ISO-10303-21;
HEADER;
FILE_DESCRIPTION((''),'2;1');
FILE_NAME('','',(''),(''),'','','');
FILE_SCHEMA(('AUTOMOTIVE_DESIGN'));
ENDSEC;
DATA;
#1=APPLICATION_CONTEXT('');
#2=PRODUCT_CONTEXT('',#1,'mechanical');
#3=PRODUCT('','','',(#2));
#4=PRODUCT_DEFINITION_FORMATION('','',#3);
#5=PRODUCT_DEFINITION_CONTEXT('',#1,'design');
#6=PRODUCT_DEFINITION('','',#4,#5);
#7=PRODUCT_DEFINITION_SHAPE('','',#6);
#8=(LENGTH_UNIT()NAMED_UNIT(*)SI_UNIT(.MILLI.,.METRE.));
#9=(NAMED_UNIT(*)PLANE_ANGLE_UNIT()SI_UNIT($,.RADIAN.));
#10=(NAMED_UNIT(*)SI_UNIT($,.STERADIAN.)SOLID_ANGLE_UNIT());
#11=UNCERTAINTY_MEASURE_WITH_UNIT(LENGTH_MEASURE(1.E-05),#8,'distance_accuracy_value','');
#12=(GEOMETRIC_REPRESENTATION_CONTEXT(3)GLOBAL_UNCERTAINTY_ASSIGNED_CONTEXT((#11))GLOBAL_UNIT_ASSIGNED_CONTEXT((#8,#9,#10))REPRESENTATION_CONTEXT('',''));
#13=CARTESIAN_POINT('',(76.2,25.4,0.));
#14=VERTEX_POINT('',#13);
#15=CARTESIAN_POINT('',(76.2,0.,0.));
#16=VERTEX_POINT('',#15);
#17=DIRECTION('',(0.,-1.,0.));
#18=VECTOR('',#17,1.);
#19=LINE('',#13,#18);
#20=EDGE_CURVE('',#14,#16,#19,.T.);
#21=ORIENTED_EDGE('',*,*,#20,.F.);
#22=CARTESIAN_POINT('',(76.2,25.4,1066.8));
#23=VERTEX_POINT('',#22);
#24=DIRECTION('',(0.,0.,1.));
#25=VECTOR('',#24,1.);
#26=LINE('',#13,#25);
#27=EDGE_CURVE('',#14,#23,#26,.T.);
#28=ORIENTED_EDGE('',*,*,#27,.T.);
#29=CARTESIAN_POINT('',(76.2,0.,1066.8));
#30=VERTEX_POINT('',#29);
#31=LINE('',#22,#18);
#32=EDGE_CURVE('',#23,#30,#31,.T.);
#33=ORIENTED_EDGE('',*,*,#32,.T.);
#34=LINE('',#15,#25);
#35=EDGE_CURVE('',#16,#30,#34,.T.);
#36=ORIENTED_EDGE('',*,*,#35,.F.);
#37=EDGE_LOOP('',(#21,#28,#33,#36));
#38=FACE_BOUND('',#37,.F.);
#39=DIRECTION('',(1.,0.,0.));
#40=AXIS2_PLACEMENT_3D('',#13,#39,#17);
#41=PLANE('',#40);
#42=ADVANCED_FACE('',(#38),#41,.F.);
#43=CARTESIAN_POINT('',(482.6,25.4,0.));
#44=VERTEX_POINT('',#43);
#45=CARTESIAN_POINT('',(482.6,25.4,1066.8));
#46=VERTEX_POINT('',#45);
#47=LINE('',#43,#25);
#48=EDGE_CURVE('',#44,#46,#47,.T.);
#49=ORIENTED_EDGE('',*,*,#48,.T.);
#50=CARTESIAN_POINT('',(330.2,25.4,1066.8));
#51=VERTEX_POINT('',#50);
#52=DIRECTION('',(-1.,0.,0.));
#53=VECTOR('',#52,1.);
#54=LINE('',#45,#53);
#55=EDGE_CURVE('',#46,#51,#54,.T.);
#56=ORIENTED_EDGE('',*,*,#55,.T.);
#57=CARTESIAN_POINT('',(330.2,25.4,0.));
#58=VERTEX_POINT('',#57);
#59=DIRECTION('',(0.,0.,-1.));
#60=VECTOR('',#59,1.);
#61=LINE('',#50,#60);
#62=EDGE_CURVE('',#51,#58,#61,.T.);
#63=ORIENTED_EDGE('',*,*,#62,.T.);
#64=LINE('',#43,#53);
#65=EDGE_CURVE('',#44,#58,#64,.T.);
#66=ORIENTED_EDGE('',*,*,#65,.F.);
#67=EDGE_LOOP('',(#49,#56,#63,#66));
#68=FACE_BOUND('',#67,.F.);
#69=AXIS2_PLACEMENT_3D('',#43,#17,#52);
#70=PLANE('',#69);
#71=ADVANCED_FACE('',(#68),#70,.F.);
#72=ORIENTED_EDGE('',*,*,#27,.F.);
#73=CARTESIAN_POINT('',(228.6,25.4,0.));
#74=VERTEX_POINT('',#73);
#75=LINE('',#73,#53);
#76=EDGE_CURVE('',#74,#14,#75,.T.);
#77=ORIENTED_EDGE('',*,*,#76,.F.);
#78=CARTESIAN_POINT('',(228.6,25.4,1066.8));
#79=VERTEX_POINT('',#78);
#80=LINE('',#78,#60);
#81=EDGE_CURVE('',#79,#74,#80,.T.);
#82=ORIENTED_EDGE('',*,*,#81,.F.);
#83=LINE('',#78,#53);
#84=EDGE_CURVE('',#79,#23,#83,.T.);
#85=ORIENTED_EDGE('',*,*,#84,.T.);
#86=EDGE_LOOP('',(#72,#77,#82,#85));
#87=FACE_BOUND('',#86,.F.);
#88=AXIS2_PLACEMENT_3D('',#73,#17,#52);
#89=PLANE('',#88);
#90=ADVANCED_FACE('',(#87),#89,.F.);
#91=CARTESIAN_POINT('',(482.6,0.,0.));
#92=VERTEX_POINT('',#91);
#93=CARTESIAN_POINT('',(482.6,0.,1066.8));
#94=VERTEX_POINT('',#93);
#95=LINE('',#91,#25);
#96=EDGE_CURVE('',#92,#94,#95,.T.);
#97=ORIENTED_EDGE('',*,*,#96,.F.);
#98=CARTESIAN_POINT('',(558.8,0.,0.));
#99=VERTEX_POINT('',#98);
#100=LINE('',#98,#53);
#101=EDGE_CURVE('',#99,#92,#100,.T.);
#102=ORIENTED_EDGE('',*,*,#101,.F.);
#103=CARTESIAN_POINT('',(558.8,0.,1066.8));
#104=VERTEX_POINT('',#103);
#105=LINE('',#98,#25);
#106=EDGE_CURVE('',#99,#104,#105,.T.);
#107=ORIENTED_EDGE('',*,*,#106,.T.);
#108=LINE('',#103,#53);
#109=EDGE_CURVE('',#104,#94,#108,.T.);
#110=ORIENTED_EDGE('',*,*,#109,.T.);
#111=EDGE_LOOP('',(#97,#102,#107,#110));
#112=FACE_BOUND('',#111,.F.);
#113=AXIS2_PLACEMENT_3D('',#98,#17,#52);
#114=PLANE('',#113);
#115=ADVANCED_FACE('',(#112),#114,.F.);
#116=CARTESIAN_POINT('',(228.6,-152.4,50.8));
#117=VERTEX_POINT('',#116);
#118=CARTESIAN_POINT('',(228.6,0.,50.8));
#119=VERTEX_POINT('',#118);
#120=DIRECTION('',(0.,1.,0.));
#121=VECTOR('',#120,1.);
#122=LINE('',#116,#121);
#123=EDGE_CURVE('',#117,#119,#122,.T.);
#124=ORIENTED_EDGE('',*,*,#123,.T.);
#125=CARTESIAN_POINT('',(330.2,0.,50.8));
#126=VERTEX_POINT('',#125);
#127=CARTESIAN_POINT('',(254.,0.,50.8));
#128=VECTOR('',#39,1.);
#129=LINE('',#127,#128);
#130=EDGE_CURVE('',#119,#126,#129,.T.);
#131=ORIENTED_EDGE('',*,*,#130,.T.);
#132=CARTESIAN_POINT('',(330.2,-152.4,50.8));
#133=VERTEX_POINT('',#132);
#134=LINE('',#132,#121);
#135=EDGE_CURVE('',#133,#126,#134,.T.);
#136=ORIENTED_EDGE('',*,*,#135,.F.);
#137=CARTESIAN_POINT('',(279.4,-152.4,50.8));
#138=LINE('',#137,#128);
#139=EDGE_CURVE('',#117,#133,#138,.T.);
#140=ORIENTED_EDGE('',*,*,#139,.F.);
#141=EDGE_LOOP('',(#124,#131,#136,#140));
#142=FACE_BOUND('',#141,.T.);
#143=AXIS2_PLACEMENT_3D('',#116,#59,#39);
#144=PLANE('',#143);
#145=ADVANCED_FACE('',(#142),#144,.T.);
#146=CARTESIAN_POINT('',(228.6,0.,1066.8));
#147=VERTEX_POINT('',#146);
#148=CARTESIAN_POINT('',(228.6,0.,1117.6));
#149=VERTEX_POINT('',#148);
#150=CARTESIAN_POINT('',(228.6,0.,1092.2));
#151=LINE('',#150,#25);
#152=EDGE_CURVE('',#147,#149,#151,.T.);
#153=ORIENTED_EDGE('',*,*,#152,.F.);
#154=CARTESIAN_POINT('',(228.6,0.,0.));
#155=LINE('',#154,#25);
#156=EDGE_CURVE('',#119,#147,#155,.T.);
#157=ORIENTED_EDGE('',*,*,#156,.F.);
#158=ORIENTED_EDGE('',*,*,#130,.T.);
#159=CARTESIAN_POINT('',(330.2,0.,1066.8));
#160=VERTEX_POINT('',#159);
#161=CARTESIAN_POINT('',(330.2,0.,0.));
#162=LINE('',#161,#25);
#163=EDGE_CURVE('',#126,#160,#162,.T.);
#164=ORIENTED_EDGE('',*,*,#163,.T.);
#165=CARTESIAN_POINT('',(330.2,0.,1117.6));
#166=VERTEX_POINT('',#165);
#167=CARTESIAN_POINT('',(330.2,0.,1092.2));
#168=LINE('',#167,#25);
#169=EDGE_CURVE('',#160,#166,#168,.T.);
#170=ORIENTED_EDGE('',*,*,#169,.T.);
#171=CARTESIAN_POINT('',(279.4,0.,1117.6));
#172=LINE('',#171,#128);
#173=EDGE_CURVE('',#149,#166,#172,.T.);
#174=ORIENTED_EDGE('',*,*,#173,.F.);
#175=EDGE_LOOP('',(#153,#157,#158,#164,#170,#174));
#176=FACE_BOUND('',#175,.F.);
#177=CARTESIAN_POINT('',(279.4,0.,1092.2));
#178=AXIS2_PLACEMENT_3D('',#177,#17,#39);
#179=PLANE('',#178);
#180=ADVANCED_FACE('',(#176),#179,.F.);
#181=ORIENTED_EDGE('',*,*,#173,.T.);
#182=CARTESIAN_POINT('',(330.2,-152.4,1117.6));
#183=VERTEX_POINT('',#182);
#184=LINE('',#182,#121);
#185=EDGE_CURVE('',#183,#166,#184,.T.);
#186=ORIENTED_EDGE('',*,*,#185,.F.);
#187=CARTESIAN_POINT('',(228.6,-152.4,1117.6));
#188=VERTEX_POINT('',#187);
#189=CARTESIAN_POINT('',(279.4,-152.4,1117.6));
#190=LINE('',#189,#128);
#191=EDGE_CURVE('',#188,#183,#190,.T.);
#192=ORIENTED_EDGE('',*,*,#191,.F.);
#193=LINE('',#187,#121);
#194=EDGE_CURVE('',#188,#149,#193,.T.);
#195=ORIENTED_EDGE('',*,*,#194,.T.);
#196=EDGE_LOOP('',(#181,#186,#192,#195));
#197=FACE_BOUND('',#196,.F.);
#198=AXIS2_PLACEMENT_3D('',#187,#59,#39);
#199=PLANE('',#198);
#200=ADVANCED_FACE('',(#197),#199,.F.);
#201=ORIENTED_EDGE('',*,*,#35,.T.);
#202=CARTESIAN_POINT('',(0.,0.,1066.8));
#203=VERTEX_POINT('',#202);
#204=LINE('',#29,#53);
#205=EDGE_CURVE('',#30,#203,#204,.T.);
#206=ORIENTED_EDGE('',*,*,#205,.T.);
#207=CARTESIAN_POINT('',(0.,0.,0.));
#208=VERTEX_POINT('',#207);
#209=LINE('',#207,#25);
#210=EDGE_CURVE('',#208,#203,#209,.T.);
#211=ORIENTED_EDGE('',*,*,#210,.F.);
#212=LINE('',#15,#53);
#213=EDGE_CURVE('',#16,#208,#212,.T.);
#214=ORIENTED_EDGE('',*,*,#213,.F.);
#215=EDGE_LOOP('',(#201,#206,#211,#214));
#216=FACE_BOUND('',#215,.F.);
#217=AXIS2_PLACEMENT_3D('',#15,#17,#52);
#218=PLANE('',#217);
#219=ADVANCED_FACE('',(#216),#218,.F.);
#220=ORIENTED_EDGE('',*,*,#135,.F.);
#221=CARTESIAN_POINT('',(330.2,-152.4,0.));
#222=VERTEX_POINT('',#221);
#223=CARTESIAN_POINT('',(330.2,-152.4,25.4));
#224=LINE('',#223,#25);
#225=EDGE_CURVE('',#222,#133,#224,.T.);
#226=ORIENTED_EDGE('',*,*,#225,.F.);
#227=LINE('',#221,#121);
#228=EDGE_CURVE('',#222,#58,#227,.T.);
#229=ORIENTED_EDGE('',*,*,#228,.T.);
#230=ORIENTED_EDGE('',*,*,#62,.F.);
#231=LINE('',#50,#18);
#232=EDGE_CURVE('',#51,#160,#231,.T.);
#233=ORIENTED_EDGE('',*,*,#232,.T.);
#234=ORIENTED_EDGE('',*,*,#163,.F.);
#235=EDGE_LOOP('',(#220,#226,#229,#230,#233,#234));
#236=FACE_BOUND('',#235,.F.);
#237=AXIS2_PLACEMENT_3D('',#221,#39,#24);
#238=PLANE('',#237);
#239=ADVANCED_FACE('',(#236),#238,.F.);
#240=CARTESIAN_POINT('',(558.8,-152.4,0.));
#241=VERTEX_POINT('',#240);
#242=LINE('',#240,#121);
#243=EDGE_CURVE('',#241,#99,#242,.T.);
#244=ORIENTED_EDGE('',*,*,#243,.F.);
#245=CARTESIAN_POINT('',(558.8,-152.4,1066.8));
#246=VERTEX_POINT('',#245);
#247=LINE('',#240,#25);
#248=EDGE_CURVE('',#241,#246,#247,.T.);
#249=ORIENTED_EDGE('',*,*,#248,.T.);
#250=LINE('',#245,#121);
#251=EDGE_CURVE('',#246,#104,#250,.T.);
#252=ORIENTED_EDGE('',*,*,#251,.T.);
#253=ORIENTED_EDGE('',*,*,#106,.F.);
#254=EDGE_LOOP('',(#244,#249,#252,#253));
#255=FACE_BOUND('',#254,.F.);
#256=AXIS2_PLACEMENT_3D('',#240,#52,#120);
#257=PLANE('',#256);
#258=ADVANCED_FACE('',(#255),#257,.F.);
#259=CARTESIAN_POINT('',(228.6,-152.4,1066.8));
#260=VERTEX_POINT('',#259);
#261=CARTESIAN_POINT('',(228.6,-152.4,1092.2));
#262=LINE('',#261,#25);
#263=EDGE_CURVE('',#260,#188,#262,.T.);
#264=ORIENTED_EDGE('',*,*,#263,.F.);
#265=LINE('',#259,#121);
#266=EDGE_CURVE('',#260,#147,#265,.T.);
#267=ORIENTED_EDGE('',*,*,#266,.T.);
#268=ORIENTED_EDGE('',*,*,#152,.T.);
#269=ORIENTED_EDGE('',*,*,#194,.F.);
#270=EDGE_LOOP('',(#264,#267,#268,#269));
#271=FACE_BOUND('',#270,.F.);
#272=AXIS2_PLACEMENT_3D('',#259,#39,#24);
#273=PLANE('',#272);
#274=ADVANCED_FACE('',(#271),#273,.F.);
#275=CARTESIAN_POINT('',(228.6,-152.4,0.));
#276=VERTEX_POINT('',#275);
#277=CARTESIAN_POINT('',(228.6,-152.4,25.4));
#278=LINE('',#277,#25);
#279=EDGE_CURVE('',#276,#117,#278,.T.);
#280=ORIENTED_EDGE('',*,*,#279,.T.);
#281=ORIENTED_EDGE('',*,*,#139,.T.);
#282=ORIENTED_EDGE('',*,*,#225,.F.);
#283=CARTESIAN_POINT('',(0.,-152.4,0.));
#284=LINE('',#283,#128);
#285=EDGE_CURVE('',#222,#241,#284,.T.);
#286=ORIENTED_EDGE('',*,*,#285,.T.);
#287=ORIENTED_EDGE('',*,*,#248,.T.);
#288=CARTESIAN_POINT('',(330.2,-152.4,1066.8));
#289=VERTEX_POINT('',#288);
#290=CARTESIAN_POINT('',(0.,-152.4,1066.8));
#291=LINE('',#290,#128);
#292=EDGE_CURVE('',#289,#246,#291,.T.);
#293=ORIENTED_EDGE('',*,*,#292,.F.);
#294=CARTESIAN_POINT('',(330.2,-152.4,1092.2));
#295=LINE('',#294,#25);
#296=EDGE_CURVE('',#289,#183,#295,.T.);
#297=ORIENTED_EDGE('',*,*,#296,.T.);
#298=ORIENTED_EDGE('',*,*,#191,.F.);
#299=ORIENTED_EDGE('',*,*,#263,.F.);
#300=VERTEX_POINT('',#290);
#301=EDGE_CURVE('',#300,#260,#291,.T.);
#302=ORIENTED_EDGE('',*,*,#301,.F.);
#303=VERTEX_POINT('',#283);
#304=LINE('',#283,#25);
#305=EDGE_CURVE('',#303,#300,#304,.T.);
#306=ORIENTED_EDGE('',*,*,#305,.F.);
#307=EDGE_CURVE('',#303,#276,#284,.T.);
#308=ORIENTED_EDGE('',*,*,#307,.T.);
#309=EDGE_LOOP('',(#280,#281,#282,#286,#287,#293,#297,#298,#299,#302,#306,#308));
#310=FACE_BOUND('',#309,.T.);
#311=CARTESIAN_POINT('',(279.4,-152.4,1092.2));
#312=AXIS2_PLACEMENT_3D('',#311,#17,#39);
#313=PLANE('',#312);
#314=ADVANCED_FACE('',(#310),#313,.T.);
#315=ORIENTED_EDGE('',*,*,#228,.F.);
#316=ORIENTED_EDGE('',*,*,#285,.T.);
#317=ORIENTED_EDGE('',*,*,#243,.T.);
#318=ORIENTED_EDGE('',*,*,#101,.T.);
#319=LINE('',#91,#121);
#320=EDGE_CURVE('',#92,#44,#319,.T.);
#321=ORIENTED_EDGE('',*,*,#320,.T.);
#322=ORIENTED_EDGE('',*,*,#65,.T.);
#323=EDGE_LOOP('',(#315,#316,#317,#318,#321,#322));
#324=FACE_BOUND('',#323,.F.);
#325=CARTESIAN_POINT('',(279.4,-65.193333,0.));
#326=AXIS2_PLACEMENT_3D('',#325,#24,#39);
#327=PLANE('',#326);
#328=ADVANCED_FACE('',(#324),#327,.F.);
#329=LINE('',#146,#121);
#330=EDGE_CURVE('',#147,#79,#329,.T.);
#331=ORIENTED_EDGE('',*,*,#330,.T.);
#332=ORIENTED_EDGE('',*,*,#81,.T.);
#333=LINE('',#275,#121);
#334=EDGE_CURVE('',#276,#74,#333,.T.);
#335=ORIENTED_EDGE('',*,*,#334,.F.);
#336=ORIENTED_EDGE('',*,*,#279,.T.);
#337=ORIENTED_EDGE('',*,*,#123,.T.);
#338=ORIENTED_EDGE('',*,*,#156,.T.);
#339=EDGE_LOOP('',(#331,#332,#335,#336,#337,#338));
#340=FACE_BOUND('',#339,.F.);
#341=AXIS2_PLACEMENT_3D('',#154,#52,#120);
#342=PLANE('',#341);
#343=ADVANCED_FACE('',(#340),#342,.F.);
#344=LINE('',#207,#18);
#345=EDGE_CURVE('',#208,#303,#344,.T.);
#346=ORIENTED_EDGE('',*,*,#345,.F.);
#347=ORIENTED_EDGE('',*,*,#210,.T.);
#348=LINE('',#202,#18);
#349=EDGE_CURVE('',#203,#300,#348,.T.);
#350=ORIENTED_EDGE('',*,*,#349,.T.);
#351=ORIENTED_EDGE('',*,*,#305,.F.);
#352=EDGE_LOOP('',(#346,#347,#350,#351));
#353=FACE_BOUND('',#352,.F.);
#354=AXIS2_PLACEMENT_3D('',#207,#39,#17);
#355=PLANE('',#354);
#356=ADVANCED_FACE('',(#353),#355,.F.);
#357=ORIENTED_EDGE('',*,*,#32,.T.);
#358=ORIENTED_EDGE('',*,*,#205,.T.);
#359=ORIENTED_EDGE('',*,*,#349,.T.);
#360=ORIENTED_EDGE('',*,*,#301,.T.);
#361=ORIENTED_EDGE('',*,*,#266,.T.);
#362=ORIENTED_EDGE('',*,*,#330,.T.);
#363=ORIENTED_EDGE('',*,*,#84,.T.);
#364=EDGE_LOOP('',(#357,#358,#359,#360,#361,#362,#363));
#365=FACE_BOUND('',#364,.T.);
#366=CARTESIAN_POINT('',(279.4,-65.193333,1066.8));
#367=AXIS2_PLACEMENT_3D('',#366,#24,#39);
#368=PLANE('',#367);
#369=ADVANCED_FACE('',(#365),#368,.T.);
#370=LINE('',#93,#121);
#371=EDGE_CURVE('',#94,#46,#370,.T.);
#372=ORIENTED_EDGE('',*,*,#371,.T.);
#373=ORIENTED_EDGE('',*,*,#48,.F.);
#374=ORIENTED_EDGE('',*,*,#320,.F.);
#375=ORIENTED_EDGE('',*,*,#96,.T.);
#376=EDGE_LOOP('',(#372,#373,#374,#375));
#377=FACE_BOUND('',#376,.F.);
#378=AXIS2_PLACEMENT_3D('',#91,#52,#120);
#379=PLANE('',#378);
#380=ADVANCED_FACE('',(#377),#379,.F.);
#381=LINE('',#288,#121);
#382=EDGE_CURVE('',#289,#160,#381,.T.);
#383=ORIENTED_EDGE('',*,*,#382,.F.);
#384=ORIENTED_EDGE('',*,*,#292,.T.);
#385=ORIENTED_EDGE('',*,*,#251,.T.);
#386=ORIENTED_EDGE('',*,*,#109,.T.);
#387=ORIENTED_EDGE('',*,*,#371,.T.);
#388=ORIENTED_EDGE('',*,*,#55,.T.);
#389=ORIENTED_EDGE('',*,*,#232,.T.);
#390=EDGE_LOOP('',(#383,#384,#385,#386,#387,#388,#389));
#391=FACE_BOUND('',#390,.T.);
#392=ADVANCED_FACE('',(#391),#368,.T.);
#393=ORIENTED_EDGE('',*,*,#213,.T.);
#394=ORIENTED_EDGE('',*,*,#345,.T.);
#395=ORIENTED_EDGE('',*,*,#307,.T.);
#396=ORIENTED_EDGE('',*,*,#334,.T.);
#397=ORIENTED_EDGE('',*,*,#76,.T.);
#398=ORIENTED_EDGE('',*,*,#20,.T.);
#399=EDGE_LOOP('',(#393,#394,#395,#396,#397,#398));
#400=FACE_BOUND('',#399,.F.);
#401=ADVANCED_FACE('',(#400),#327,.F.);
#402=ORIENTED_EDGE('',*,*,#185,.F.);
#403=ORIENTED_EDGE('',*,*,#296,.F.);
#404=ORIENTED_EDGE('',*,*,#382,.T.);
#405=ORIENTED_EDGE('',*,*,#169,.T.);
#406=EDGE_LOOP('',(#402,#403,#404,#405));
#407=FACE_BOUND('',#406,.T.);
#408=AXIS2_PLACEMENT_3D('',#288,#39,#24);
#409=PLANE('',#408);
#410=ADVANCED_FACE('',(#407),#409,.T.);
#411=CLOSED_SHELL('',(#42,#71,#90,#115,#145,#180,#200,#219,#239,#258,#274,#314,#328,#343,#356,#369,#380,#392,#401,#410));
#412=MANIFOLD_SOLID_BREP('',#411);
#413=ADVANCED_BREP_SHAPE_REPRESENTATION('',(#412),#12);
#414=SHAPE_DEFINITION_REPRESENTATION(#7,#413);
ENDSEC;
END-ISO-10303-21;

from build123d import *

# Parameters (mm, degrees)
F1_DEPTH = 1066.8
F3_W     = 101.6
F3_H     = 50.8
F4_DEPTH = 152.4
F5_W     = 101.6
F5_H     = 50.8
F6_DEPTH = 177.801


with BuildPart() as f1:
    # F0 (on Top) → F1 (new body)
    with BuildSketch(Plane.XY):
        Polygon((76.2, 0), (0, 0), (0, -152.4), (558.8, -152.4), (558.8, 0), (482.6, 0), (482.6, 25.4), (330.2, 25.4), (330.2, 0), (228.6, 0), (228.6, 25.4), (76.2, 25.4), align=None)
    extrude(amount=F1_DEPTH)

    # F3 (on offset) → F4 (join)
    with BuildSketch(Plane.XZ.offset(152.4)):
        with Locations((279.4, 1092.2)):
            Rectangle(F3_W, F3_H)
    extrude(amount=-F4_DEPTH)

    # F5 (on offset) → F6 (cut, through all)
    with BuildSketch(Plane.XZ.offset(152.4)):
        with Locations((279.4, 25.4)):
            Rectangle(F5_W, F5_H)
    extrude(amount=-F6_DEPTH, mode=Mode.SUBTRACT)


solid = f1.part
